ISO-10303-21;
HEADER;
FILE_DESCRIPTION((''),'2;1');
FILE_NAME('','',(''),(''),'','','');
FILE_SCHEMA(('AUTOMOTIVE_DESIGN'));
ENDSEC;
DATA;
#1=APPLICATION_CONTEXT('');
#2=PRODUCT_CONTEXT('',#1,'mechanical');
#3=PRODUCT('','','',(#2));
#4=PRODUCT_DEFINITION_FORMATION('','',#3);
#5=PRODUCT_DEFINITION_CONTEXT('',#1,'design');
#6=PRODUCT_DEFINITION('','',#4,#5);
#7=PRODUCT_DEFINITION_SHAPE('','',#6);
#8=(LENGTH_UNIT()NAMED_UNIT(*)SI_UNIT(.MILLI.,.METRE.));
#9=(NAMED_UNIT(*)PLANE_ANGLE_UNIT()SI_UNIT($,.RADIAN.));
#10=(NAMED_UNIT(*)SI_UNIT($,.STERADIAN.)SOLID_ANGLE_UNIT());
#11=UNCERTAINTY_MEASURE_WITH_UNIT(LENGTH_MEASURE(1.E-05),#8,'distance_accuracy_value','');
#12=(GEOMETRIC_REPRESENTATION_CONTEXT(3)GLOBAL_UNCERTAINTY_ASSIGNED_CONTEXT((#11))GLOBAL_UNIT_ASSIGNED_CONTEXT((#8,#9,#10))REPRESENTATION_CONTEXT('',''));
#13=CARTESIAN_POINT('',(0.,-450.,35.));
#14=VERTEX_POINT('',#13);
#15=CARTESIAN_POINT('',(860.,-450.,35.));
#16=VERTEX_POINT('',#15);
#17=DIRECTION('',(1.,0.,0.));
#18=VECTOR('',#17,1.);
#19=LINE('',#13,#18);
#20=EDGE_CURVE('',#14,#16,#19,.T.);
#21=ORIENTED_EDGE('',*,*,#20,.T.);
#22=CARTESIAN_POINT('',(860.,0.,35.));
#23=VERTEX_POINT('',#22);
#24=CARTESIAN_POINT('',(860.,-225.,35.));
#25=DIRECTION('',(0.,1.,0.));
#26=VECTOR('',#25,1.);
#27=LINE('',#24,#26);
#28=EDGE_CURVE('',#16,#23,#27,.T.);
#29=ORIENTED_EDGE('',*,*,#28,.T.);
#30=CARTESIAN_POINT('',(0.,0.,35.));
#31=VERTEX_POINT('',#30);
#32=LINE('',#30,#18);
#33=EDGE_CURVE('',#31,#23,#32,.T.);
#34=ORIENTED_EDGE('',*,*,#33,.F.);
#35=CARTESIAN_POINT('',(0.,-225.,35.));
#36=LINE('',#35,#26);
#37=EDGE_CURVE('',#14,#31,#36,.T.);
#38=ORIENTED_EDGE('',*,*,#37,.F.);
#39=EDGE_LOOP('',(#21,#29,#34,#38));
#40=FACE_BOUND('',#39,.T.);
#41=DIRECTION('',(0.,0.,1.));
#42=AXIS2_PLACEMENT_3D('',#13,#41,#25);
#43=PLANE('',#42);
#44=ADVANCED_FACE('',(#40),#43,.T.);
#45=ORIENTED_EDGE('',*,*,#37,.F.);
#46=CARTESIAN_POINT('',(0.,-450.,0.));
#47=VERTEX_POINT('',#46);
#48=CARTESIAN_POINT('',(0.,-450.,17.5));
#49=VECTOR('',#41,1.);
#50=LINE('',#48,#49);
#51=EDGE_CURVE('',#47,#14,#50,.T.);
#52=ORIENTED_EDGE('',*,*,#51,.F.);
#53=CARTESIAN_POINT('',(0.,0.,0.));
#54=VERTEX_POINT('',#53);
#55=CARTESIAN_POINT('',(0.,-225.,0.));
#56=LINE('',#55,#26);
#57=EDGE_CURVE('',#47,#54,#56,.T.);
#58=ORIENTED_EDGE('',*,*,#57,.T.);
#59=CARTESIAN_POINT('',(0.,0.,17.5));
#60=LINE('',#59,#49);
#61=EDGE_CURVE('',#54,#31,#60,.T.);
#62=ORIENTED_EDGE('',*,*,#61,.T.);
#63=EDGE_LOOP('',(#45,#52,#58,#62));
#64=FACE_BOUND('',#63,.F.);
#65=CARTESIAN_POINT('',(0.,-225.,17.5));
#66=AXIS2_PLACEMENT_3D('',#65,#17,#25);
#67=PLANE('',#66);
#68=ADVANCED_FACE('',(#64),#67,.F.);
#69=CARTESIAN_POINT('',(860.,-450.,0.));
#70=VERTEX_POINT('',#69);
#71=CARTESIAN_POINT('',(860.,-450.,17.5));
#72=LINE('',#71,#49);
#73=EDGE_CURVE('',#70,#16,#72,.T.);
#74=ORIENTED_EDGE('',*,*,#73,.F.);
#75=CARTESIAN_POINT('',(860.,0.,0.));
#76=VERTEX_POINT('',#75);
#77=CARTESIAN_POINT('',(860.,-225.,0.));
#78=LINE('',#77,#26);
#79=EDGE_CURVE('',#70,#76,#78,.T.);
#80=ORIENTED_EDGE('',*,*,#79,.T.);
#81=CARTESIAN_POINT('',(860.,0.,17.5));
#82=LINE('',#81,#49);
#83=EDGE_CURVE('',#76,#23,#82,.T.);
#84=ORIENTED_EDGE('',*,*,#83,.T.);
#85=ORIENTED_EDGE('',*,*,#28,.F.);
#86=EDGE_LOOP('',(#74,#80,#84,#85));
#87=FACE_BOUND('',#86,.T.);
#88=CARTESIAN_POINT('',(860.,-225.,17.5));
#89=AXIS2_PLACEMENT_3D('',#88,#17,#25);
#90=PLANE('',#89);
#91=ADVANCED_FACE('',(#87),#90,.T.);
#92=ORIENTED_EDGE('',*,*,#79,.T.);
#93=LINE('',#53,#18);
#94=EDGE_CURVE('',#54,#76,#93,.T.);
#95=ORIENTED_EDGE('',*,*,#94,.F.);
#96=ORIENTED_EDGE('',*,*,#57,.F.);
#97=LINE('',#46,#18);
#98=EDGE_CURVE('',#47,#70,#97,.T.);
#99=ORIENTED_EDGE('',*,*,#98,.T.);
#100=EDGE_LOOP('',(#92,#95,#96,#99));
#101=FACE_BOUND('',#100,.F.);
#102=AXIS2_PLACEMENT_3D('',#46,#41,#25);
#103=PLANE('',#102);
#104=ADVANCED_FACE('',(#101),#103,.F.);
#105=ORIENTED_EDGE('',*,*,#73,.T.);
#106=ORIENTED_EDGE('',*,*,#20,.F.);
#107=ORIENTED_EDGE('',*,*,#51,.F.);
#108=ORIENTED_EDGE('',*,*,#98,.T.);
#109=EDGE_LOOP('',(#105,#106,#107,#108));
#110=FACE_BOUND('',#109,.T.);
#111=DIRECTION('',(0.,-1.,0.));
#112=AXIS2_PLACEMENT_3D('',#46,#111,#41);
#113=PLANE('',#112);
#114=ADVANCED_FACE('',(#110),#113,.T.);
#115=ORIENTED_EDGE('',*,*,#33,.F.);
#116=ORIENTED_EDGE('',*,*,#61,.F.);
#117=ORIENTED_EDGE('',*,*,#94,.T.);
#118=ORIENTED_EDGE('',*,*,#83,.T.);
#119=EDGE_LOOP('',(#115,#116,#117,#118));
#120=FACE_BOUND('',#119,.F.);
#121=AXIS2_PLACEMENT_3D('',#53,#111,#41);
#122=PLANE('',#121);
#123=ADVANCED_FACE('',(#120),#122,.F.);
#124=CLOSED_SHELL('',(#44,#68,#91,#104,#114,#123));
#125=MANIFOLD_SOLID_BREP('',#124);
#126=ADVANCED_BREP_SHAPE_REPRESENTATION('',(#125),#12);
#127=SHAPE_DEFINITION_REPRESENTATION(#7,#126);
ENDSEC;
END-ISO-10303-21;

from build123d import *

# Parameters (mm, degrees)
SKETCH_W  = 450
SKETCH_H  = 35
PAD_DEPTH = 860


with BuildPart() as part:
    # Sketch → Pad (new body)
    with BuildSketch(Plane.YZ):
        with Locations((-225, 17.5)):
            Rectangle(SKETCH_W, SKETCH_H)
    extrude(amount=PAD_DEPTH)


solid = part.part
